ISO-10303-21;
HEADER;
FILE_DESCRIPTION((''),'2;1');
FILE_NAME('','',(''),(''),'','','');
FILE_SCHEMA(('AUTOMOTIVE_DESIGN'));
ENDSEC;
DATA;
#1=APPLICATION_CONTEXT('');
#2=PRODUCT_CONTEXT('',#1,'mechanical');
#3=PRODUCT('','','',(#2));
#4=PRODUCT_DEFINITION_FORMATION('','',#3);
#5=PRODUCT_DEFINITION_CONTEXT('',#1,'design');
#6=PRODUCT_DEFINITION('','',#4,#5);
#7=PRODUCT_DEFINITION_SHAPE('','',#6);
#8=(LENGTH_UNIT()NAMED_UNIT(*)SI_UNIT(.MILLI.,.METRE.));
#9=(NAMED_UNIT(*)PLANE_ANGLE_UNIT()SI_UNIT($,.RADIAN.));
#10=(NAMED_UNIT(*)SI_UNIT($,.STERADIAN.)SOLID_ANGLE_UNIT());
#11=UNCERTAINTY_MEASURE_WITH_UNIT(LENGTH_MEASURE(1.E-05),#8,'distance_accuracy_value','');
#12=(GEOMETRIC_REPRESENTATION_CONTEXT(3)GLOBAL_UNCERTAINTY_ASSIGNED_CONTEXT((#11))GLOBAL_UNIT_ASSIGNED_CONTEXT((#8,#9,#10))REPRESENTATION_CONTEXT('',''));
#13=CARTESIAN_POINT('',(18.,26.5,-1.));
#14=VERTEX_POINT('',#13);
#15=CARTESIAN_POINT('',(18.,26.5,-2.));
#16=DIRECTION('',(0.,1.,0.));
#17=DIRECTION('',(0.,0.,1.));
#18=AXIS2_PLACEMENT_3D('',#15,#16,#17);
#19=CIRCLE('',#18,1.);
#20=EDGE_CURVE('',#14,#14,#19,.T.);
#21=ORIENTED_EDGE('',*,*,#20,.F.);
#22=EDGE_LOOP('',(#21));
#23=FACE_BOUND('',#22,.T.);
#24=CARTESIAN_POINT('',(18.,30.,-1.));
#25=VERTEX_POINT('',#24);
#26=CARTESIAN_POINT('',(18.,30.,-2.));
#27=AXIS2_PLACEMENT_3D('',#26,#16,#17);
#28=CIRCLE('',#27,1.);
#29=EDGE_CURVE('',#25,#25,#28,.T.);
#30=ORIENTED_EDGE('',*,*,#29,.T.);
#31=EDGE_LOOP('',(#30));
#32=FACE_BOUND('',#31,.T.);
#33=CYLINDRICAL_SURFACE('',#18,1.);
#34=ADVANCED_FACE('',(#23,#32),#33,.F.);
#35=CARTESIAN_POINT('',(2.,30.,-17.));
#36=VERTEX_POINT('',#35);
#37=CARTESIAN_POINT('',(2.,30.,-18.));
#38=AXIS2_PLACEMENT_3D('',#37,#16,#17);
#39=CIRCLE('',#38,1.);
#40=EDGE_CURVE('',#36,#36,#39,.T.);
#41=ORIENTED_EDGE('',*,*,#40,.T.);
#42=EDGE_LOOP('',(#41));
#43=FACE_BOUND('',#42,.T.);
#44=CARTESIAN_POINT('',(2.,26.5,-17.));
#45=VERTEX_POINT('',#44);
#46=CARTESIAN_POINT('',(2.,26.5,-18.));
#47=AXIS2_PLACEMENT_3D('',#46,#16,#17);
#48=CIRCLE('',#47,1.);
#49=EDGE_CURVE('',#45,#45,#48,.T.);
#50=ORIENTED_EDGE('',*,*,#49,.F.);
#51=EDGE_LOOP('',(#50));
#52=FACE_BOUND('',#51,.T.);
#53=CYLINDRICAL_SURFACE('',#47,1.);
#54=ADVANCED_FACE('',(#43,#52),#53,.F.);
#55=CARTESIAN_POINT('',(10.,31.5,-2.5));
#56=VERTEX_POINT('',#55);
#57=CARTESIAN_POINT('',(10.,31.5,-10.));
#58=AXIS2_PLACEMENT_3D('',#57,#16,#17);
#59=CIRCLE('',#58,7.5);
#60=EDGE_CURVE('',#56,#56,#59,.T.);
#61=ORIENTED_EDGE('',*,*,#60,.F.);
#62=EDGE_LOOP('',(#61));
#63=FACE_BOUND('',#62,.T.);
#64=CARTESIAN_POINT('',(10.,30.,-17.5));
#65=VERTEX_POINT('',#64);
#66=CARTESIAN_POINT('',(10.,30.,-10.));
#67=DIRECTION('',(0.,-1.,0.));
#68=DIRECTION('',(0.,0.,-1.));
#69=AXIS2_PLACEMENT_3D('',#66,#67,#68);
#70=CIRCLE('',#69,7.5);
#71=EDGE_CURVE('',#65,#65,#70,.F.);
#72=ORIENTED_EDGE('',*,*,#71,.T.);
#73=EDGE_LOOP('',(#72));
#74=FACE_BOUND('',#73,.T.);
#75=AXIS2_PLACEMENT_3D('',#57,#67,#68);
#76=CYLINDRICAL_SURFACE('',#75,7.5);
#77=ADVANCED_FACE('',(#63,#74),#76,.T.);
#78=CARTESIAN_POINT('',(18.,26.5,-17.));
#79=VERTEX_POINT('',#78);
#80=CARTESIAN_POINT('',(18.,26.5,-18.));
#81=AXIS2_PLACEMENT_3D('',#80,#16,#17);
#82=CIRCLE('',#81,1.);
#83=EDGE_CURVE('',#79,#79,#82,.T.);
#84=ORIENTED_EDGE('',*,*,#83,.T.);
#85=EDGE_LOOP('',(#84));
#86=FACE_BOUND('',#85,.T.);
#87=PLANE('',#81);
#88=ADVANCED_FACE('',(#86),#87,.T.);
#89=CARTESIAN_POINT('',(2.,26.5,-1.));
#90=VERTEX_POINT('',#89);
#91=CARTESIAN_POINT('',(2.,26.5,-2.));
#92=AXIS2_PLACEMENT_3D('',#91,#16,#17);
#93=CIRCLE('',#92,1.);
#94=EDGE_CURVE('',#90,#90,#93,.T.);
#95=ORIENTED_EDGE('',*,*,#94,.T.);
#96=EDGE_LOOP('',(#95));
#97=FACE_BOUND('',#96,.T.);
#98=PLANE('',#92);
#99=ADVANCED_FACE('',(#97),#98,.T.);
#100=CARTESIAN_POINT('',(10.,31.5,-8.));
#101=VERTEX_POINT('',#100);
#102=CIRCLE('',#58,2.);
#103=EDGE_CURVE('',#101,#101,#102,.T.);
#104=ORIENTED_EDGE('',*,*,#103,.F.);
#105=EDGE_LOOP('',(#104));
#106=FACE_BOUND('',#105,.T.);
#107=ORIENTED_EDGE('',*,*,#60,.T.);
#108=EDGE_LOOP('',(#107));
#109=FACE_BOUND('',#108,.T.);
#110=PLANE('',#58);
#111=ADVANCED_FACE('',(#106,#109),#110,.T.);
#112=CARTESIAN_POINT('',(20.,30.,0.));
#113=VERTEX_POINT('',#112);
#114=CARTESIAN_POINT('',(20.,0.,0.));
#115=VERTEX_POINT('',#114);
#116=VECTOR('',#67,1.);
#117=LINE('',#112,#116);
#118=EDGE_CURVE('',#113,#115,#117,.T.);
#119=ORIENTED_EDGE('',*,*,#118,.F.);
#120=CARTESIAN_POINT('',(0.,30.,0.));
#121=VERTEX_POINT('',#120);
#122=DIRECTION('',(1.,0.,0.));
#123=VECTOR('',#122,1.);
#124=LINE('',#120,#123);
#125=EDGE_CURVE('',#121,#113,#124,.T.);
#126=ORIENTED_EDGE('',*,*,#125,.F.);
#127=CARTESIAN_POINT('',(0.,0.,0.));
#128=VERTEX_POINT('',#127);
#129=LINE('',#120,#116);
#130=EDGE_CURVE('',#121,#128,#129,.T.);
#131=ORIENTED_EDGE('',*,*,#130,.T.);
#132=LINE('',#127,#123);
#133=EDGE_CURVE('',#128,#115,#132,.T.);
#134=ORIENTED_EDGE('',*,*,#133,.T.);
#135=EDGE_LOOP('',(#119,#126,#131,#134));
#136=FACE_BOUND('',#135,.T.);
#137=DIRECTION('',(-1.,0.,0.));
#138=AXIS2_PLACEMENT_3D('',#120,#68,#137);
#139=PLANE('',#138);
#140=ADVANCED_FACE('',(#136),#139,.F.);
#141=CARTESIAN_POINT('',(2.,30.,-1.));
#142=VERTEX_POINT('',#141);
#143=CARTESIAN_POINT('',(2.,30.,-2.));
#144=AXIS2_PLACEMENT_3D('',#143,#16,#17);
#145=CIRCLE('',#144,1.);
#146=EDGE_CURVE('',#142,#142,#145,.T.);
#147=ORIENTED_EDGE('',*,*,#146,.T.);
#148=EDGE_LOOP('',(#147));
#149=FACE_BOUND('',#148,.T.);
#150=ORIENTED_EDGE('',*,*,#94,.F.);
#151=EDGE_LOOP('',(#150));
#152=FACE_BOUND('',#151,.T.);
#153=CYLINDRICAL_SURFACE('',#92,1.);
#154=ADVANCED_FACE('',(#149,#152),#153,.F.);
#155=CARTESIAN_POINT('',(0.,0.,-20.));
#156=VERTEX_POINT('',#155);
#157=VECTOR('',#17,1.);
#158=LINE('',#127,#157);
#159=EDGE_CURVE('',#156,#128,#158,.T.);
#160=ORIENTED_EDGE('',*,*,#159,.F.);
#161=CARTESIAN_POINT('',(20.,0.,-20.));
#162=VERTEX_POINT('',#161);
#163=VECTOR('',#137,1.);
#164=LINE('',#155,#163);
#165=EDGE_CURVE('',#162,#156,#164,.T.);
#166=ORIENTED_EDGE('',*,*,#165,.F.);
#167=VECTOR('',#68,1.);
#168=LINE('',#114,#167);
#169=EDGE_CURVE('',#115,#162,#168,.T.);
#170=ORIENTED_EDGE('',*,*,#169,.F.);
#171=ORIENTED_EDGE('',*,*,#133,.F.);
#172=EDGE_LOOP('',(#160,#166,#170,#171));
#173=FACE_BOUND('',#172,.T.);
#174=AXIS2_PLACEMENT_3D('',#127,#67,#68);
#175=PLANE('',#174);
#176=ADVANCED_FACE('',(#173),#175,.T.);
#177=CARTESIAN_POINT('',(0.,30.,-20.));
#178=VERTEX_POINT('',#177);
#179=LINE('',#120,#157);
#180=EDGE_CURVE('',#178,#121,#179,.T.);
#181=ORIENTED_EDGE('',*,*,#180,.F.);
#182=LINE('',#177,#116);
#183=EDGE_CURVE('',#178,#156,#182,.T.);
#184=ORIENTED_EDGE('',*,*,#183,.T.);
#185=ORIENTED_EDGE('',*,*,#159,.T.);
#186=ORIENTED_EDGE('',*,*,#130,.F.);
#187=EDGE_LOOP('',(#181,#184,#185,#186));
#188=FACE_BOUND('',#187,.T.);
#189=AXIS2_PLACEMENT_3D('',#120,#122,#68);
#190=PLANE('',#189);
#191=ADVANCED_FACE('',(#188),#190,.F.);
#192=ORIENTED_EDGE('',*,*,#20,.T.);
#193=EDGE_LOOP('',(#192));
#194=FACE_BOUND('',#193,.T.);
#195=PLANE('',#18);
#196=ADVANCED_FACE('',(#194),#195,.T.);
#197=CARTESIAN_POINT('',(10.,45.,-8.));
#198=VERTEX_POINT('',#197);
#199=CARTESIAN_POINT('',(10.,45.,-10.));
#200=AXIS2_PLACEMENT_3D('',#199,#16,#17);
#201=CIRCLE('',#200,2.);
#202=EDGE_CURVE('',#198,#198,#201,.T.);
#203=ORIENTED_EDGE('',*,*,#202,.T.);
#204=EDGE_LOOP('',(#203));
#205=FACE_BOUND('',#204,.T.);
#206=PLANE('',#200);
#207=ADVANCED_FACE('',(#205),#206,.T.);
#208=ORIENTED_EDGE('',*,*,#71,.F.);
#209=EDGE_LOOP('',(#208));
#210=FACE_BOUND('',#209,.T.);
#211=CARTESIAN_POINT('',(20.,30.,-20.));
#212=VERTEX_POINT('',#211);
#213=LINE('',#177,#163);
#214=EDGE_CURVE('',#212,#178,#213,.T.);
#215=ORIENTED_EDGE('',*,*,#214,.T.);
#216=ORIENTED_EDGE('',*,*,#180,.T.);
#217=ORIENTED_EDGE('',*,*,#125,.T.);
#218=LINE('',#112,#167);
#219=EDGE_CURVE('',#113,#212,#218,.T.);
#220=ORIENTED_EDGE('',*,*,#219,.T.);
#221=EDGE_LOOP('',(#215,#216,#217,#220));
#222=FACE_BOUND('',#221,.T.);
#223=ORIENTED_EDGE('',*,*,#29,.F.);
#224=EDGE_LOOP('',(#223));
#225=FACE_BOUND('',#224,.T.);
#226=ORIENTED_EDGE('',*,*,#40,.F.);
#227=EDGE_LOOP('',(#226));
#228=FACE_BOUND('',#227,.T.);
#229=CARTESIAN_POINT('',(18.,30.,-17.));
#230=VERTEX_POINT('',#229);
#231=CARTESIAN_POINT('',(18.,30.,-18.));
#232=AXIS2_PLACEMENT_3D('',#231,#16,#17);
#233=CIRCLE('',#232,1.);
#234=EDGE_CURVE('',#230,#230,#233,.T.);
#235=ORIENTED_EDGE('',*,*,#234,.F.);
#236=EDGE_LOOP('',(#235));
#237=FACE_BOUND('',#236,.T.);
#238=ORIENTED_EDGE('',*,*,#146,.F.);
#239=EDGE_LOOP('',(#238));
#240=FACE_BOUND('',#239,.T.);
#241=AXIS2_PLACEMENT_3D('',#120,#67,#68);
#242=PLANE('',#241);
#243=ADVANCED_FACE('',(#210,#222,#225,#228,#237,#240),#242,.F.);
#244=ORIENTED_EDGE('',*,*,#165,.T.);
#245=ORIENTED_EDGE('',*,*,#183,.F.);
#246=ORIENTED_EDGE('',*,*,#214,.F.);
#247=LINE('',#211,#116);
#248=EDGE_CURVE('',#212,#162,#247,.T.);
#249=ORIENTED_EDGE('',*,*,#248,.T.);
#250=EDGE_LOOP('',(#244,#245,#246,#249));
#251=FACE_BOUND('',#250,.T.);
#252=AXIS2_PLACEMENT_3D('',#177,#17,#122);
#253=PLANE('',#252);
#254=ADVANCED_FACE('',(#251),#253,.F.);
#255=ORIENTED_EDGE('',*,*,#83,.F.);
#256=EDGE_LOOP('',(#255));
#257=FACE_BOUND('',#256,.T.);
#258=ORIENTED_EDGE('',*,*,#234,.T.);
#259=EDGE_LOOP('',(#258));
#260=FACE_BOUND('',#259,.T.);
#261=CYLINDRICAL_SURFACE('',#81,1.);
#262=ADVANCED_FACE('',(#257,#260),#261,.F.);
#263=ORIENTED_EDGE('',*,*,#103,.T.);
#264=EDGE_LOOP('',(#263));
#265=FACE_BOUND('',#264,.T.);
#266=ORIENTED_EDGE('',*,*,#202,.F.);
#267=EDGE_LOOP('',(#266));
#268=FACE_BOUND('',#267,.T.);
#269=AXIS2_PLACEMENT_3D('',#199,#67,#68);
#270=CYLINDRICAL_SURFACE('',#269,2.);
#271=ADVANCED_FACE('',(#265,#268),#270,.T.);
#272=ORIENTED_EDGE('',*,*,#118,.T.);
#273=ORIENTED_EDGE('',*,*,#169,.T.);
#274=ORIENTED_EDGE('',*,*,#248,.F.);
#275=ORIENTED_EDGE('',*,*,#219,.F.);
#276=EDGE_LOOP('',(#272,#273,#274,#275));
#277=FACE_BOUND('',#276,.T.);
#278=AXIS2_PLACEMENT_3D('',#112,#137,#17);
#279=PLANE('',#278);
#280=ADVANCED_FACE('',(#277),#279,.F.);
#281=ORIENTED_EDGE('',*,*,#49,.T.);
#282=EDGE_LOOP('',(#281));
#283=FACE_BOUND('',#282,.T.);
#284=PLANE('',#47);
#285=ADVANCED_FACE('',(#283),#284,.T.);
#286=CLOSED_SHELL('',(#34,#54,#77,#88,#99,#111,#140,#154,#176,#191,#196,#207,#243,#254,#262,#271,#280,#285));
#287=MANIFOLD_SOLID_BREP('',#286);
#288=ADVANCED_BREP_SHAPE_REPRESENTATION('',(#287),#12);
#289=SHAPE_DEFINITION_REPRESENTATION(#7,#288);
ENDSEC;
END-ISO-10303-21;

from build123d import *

# Parameters (mm, degrees)
SKETCH1_W           = 20
SKETCH1_H           = 20
BOSS_EXTRUDE1_DEPTH = 30
SKETCH2_R           = 1
CUT_EXTRUDE1_DEPTH  = 3.5
SKETCH3_R           = 7.5
BOSS_EXTRUDE2_DEPTH = 1.5
SKETCH4_R           = 2
BOSS_EXTRUDE3_DEPTH = 13.5


with BuildPart() as part:
    # Sketch1 → Boss-Extrude1 (new body)
    with BuildSketch(Plane(origin=(0, 0, 0), x_dir=(1, 0, 0), z_dir=(0, 1, 0))):
        with Locations((10, 10)):
            Rectangle(SKETCH1_W, SKETCH1_H)
    extrude(amount=BOSS_EXTRUDE1_DEPTH)

    # Sketch2 → Cut-Extrude1 (cut)
    with BuildSketch(Plane(origin=(0, 30, 0), x_dir=(1, 0, 0), z_dir=(0, 1, 0))):
        with Locations(Location((2, 18, 0), (0, 0, 270))):
            Circle(SKETCH2_R)
        with Locations(Location((18, 18, 0), (0, 0, 270))):
            Circle(SKETCH2_R)
        with Locations(Location((18, 2, 0), (0, 0, 270))):
            Circle(SKETCH2_R)
        with Locations(Location((2, 2, 0), (0, 0, 270))):
            Circle(SKETCH2_R)
    extrude(amount=-CUT_EXTRUDE1_DEPTH, mode=Mode.SUBTRACT)

    # Sketch3 → Boss-Extrude2 (add)
    with BuildSketch(Plane(origin=(0, 30, 0), x_dir=(1, 0, 0), z_dir=(0, 1, 0))):
        with Locations(Location((10, 10, 0), (0, 0, 90))):
            Circle(SKETCH3_R)
    extrude(amount=BOSS_EXTRUDE2_DEPTH)

    # Sketch4 → Boss-Extrude3 (add)
    with BuildSketch(Plane(origin=(0, 31.5, 0), x_dir=(1, 0, 0), z_dir=(0, 1, 0))):
        with Locations(Location((10, 10, 0), (0, 0, 270))):
            Circle(SKETCH4_R)
    extrude(amount=BOSS_EXTRUDE3_DEPTH)


solid = part.part
